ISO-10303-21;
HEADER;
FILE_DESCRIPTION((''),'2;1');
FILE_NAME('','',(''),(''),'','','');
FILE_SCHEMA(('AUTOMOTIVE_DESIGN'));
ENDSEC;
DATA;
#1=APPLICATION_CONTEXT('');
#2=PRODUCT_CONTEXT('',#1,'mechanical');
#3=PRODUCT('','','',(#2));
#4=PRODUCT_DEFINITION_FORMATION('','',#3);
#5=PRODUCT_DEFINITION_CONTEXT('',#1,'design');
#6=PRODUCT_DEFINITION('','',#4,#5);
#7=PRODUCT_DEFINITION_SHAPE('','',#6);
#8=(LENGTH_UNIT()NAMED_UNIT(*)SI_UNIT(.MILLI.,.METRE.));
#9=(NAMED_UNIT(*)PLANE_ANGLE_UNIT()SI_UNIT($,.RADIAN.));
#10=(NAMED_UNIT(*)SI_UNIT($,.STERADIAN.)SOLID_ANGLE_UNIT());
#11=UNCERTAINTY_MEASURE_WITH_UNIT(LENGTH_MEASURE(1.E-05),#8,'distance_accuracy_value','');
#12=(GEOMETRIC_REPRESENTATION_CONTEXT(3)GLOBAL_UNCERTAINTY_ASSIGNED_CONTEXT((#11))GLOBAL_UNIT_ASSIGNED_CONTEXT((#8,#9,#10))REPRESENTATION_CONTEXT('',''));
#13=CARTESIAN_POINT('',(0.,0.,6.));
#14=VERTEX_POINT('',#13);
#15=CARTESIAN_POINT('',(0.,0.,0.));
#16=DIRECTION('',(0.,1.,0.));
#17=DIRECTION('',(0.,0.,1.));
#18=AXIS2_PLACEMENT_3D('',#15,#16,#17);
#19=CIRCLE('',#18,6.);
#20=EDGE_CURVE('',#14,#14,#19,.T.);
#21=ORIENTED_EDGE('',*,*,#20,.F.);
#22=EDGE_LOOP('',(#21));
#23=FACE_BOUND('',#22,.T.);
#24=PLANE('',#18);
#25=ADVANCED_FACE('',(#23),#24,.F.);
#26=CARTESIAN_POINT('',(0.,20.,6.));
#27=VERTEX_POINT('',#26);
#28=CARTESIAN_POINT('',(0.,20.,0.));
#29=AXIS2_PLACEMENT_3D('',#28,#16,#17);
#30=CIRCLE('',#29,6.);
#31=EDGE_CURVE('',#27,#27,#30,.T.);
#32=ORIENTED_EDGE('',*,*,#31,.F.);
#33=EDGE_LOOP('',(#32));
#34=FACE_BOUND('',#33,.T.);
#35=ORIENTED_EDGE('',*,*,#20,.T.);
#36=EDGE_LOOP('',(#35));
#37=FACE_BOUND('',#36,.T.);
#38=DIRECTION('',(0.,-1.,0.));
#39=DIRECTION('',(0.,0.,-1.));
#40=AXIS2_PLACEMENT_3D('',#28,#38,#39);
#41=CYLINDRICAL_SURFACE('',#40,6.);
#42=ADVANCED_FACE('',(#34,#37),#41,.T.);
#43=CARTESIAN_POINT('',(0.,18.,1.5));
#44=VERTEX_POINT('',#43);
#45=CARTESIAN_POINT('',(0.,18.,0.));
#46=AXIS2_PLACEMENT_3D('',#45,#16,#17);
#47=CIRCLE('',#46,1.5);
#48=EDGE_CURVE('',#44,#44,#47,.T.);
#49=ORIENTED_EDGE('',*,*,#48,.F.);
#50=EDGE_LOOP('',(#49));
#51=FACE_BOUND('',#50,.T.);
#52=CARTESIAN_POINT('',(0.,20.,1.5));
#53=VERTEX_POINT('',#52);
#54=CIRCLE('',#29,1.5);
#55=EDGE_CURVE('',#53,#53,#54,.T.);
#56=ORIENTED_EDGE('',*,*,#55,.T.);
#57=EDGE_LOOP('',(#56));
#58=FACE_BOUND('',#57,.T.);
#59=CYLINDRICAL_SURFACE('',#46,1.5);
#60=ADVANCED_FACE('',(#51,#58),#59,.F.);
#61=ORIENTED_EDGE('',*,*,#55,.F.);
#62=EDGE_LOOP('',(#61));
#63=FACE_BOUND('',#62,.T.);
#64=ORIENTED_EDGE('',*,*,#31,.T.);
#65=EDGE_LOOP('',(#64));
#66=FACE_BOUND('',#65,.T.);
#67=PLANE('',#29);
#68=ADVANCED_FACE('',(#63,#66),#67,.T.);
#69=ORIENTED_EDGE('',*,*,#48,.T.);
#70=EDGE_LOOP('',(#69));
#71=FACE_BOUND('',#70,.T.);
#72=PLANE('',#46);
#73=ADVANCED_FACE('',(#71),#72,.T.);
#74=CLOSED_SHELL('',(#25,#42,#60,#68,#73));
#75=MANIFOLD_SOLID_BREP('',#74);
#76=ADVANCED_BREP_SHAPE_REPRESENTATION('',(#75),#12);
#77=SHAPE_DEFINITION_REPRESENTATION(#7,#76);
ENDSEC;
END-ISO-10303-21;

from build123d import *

# Parameters (mm, degrees)
SKETCH1_R           = 6
BOSS_EXTRUDE1_DEPTH = 20
SKETCH2_R           = 1.5
CUT_EXTRUDE1_DEPTH  = 2


with BuildPart() as part:
    # Sketch1 → Boss-Extrude1 (new body)
    with BuildSketch(Plane(origin=(0, 0, 0), x_dir=(1, 0, 0), z_dir=(0, 1, 0))):
        Circle(SKETCH1_R)
    extrude(amount=BOSS_EXTRUDE1_DEPTH)

    # Sketch2 → Cut-Extrude1 (cut)
    with BuildSketch(Plane(origin=(0, 20, 0), x_dir=(1, 0, 0), z_dir=(0, 1, 0))):
        Circle(SKETCH2_R)
    extrude(amount=-CUT_EXTRUDE1_DEPTH, mode=Mode.SUBTRACT)


solid = part.part
